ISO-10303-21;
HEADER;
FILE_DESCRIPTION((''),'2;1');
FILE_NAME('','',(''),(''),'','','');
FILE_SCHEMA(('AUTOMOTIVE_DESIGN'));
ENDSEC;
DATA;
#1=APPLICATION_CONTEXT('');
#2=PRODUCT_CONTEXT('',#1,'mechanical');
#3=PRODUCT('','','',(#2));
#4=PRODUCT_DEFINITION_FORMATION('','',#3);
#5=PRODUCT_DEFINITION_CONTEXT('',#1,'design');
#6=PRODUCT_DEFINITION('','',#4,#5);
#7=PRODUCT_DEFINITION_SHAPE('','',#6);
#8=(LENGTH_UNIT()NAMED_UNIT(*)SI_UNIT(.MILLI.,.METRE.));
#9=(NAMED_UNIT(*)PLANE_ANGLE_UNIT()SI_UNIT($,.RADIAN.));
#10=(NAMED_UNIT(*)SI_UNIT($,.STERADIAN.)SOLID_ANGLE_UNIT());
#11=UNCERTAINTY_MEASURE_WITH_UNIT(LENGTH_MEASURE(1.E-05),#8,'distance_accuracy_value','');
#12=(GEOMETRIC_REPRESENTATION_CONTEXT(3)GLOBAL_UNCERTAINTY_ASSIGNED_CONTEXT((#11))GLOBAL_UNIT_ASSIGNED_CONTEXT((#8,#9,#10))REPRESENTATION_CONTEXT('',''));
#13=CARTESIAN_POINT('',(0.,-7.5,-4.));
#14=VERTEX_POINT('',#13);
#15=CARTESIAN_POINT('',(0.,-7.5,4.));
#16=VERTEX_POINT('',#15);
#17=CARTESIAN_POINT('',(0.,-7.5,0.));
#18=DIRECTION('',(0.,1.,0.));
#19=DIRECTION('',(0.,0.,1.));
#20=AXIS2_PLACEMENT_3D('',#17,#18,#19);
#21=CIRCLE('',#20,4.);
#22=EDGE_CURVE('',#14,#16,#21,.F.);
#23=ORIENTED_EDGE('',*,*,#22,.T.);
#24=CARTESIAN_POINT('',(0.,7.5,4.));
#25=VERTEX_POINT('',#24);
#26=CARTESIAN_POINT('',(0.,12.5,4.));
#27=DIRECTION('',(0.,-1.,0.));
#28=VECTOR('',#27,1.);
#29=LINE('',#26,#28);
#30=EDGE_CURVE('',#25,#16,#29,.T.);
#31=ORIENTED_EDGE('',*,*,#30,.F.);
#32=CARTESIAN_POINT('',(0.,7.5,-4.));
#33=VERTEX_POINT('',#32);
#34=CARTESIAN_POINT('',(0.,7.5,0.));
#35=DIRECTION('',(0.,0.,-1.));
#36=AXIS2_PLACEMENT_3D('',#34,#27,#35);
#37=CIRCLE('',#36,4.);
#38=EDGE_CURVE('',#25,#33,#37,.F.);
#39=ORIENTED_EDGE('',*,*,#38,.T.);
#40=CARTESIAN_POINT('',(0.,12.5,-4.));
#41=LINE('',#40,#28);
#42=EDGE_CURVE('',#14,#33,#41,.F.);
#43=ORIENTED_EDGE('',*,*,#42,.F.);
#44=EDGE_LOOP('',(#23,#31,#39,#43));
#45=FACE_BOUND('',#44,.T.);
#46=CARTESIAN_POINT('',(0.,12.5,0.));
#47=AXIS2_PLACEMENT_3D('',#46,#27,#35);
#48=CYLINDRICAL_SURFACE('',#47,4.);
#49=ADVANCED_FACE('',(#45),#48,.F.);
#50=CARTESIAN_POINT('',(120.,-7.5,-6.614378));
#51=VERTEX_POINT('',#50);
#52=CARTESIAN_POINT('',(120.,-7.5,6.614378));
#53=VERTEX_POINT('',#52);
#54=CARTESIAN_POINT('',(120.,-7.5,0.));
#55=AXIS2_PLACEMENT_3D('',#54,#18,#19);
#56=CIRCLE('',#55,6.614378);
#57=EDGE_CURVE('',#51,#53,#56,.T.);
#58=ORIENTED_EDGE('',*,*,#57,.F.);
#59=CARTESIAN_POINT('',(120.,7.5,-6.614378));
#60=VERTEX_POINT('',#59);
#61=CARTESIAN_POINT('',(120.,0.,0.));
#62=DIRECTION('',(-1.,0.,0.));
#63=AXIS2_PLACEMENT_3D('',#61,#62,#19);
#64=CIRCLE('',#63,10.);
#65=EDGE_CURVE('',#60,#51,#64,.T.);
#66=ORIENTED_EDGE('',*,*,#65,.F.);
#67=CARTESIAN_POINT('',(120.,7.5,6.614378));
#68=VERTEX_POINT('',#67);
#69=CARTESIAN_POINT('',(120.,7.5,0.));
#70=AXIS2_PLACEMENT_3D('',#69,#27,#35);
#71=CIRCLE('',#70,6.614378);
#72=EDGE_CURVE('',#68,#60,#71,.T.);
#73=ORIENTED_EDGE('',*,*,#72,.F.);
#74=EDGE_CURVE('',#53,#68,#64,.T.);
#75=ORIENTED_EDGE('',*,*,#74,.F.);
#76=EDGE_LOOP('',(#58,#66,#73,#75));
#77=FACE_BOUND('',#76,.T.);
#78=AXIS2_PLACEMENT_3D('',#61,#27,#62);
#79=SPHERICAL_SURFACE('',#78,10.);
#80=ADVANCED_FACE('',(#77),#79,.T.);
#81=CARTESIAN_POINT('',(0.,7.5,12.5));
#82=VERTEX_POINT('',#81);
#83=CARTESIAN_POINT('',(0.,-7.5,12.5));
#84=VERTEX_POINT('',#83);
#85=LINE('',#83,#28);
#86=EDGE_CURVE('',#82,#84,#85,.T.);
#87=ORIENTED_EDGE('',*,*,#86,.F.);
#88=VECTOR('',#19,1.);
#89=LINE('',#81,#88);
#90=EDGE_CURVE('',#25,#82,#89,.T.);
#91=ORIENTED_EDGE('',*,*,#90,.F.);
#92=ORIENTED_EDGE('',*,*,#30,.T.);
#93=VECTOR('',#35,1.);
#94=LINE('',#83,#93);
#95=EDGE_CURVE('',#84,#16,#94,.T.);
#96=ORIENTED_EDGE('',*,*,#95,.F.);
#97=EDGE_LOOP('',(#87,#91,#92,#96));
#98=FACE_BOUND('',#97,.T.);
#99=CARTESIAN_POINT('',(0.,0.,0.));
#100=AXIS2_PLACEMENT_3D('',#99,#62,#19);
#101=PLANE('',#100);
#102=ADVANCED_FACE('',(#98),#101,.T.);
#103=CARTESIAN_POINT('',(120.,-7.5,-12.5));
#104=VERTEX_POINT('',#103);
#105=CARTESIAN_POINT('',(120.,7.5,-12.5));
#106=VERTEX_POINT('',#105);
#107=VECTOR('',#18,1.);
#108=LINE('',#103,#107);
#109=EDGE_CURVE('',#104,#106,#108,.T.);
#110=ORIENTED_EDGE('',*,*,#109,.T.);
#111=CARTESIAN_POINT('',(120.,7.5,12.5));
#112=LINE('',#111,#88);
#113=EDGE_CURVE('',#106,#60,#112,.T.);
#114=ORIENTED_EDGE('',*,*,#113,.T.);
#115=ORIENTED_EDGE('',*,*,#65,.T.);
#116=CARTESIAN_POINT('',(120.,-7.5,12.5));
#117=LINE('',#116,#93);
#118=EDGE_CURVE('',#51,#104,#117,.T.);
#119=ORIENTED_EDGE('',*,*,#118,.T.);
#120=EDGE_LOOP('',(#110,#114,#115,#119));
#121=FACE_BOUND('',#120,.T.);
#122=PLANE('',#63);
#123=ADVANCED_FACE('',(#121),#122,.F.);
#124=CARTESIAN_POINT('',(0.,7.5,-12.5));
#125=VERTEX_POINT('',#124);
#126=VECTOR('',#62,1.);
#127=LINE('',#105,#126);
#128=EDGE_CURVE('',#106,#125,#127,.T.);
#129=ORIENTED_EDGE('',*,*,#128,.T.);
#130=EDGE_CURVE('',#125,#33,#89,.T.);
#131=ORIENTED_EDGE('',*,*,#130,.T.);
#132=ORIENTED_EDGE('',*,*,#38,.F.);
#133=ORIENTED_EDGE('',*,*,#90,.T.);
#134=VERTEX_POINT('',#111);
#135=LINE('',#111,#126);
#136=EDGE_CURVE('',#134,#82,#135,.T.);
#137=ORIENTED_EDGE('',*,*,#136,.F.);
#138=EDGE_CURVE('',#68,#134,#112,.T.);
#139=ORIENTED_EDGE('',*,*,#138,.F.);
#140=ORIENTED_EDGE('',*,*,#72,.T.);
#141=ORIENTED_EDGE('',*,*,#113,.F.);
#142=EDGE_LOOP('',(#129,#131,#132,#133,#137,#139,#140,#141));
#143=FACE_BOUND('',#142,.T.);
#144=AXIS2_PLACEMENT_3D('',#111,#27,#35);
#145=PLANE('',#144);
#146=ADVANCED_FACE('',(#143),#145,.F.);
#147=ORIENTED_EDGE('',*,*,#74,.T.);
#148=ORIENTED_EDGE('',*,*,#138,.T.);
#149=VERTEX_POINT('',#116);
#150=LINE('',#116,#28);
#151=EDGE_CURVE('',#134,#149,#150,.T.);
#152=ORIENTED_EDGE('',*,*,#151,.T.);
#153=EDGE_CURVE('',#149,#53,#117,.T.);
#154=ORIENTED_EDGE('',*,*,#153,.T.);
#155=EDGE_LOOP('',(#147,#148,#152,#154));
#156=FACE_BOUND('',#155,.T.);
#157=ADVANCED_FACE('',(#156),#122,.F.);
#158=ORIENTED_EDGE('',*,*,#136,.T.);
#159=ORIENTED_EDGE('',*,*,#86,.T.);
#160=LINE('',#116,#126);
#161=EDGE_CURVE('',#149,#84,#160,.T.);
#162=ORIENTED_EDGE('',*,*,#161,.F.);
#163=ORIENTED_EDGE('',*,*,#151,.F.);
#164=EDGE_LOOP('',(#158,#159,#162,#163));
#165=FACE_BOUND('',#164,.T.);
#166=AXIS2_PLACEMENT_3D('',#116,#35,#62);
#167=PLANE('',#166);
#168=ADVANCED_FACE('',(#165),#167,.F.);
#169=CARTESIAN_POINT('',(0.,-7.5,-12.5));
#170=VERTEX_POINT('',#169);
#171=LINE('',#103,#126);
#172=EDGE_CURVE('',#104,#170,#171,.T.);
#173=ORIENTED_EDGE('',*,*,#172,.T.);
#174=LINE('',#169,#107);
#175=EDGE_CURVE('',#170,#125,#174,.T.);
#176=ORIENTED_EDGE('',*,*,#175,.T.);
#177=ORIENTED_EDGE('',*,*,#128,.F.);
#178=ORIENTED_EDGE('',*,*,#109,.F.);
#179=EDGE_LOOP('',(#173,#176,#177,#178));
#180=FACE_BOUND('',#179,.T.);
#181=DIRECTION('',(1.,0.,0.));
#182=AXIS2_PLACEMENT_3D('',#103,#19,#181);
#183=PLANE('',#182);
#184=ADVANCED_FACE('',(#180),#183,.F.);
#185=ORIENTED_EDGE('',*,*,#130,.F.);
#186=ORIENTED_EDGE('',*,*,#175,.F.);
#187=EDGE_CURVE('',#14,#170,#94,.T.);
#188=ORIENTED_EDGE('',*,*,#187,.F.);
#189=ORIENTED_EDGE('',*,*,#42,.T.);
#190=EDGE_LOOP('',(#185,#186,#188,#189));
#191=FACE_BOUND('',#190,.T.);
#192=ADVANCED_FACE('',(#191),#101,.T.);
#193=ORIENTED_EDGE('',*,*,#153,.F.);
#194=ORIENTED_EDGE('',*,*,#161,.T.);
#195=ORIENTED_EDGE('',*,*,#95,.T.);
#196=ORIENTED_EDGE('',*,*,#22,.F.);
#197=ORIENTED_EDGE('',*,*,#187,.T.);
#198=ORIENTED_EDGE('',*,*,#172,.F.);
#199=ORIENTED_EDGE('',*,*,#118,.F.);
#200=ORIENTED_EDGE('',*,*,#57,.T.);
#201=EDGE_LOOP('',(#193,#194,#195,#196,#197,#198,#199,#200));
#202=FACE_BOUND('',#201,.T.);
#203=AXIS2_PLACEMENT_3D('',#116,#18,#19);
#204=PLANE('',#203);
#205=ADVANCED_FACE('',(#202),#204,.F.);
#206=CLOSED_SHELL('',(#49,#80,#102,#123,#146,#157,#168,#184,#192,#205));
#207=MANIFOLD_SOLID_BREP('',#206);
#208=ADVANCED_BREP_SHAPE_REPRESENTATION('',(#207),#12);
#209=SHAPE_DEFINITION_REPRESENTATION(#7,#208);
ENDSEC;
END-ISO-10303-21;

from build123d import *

# Parameters (mm, degrees)
SKETCH2_W           = 25
SKETCH2_H           = 15
BOSS_EXTRUDE1_DEPTH = 120
SKETCH3_R           = 4
CUT_EXTRUDE1_DEPTH  = 25


with BuildPart() as part:
    # Sketch2 → Boss-Extrude1 (new body)
    with BuildSketch(Plane(origin=(0, 0, 0), x_dir=(0, 0, -1), z_dir=(1, 0, 0))):
        Rectangle(SKETCH2_W, SKETCH2_H)
    extrude(amount=BOSS_EXTRUDE1_DEPTH)

    # Sketch3 → Cut-Extrude1 (cut)
    with BuildSketch(Plane(origin=(0, -12.5, 0), x_dir=(1, 0, 0), z_dir=(0, 1, 0))):
        Circle(SKETCH3_R)
    extrude(amount=CUT_EXTRUDE1_DEPTH, mode=Mode.SUBTRACT)

    # Sketch4 → Revolve1 (revolve)
    with BuildSketch(Plane.XY):
        with BuildLine():
            Line((120, -10), (120, 10))
            ThreePointArc((120, 10), (130, 0), (120, -10))
        make_face()
    revolve(axis=Axis((120, -10, 0), (0, 1, 0)))


solid = part.part
